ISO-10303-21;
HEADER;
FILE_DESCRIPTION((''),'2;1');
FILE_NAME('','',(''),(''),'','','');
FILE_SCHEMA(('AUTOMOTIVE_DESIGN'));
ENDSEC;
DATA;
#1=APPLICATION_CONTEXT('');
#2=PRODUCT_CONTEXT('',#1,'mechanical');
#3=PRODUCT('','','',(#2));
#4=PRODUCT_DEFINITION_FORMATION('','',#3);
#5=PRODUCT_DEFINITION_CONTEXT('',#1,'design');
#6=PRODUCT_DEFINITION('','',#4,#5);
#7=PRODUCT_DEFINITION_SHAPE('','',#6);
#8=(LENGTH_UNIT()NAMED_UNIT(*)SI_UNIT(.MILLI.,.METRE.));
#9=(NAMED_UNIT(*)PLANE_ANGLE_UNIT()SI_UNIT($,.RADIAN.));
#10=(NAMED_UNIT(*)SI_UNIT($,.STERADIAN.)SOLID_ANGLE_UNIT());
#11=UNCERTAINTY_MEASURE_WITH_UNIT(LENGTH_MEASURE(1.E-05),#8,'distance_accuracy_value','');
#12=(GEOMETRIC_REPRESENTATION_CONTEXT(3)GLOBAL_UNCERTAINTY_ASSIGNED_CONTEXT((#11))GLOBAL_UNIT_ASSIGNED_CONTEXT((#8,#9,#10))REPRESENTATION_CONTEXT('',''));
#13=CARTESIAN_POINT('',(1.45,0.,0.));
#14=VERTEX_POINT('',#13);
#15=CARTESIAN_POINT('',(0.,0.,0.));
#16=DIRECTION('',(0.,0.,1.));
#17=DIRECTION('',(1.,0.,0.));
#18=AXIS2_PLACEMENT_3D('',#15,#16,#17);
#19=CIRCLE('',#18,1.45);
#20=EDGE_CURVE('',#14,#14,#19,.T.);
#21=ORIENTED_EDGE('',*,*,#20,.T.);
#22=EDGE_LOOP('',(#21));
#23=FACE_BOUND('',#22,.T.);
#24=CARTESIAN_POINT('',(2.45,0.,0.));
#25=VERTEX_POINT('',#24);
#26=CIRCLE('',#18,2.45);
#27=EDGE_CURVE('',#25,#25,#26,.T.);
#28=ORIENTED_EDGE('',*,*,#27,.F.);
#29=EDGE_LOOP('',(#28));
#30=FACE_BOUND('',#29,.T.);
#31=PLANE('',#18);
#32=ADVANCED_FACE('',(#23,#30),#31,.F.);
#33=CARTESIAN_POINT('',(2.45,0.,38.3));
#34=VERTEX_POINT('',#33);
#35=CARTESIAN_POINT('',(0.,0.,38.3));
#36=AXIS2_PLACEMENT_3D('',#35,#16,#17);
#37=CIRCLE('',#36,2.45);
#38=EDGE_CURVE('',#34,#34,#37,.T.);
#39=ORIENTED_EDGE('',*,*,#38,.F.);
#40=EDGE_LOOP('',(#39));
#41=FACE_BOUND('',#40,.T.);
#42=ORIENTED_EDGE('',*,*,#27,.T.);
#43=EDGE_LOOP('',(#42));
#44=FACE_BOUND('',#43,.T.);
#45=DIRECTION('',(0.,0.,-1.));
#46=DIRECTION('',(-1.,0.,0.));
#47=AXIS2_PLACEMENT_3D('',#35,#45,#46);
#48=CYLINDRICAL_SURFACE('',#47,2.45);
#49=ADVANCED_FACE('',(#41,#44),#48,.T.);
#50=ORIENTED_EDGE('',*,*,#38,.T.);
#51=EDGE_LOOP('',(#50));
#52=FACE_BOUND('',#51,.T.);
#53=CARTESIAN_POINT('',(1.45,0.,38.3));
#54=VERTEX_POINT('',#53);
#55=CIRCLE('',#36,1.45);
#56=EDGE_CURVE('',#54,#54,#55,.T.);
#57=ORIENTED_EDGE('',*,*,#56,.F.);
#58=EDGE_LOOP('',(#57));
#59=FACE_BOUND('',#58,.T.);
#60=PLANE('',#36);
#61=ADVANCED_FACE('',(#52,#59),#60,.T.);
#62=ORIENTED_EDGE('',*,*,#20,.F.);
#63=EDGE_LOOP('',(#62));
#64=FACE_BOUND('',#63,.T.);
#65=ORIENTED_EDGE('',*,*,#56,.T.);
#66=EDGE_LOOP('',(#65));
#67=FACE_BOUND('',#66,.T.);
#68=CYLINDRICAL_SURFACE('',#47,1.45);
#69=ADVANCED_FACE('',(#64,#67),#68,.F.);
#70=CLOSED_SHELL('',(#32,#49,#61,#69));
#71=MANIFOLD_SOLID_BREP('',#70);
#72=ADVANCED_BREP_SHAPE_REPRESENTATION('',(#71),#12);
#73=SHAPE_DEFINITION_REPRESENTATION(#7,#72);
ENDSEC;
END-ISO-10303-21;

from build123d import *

# Parameters (mm, degrees)
ESQUISSE1_R        = 2.45
ESQUISSE1_R_2      = 1.45
BOSS_EXTRU_1_DEPTH = 38.3


with BuildPart() as part:
    # Esquisse1 → Boss.-Extru.1 (new body)
    with BuildSketch(Plane.XY):
        Circle(ESQUISSE1_R)
        Circle(ESQUISSE1_R_2, mode=Mode.SUBTRACT)
    extrude(amount=BOSS_EXTRU_1_DEPTH)


solid = part.part
